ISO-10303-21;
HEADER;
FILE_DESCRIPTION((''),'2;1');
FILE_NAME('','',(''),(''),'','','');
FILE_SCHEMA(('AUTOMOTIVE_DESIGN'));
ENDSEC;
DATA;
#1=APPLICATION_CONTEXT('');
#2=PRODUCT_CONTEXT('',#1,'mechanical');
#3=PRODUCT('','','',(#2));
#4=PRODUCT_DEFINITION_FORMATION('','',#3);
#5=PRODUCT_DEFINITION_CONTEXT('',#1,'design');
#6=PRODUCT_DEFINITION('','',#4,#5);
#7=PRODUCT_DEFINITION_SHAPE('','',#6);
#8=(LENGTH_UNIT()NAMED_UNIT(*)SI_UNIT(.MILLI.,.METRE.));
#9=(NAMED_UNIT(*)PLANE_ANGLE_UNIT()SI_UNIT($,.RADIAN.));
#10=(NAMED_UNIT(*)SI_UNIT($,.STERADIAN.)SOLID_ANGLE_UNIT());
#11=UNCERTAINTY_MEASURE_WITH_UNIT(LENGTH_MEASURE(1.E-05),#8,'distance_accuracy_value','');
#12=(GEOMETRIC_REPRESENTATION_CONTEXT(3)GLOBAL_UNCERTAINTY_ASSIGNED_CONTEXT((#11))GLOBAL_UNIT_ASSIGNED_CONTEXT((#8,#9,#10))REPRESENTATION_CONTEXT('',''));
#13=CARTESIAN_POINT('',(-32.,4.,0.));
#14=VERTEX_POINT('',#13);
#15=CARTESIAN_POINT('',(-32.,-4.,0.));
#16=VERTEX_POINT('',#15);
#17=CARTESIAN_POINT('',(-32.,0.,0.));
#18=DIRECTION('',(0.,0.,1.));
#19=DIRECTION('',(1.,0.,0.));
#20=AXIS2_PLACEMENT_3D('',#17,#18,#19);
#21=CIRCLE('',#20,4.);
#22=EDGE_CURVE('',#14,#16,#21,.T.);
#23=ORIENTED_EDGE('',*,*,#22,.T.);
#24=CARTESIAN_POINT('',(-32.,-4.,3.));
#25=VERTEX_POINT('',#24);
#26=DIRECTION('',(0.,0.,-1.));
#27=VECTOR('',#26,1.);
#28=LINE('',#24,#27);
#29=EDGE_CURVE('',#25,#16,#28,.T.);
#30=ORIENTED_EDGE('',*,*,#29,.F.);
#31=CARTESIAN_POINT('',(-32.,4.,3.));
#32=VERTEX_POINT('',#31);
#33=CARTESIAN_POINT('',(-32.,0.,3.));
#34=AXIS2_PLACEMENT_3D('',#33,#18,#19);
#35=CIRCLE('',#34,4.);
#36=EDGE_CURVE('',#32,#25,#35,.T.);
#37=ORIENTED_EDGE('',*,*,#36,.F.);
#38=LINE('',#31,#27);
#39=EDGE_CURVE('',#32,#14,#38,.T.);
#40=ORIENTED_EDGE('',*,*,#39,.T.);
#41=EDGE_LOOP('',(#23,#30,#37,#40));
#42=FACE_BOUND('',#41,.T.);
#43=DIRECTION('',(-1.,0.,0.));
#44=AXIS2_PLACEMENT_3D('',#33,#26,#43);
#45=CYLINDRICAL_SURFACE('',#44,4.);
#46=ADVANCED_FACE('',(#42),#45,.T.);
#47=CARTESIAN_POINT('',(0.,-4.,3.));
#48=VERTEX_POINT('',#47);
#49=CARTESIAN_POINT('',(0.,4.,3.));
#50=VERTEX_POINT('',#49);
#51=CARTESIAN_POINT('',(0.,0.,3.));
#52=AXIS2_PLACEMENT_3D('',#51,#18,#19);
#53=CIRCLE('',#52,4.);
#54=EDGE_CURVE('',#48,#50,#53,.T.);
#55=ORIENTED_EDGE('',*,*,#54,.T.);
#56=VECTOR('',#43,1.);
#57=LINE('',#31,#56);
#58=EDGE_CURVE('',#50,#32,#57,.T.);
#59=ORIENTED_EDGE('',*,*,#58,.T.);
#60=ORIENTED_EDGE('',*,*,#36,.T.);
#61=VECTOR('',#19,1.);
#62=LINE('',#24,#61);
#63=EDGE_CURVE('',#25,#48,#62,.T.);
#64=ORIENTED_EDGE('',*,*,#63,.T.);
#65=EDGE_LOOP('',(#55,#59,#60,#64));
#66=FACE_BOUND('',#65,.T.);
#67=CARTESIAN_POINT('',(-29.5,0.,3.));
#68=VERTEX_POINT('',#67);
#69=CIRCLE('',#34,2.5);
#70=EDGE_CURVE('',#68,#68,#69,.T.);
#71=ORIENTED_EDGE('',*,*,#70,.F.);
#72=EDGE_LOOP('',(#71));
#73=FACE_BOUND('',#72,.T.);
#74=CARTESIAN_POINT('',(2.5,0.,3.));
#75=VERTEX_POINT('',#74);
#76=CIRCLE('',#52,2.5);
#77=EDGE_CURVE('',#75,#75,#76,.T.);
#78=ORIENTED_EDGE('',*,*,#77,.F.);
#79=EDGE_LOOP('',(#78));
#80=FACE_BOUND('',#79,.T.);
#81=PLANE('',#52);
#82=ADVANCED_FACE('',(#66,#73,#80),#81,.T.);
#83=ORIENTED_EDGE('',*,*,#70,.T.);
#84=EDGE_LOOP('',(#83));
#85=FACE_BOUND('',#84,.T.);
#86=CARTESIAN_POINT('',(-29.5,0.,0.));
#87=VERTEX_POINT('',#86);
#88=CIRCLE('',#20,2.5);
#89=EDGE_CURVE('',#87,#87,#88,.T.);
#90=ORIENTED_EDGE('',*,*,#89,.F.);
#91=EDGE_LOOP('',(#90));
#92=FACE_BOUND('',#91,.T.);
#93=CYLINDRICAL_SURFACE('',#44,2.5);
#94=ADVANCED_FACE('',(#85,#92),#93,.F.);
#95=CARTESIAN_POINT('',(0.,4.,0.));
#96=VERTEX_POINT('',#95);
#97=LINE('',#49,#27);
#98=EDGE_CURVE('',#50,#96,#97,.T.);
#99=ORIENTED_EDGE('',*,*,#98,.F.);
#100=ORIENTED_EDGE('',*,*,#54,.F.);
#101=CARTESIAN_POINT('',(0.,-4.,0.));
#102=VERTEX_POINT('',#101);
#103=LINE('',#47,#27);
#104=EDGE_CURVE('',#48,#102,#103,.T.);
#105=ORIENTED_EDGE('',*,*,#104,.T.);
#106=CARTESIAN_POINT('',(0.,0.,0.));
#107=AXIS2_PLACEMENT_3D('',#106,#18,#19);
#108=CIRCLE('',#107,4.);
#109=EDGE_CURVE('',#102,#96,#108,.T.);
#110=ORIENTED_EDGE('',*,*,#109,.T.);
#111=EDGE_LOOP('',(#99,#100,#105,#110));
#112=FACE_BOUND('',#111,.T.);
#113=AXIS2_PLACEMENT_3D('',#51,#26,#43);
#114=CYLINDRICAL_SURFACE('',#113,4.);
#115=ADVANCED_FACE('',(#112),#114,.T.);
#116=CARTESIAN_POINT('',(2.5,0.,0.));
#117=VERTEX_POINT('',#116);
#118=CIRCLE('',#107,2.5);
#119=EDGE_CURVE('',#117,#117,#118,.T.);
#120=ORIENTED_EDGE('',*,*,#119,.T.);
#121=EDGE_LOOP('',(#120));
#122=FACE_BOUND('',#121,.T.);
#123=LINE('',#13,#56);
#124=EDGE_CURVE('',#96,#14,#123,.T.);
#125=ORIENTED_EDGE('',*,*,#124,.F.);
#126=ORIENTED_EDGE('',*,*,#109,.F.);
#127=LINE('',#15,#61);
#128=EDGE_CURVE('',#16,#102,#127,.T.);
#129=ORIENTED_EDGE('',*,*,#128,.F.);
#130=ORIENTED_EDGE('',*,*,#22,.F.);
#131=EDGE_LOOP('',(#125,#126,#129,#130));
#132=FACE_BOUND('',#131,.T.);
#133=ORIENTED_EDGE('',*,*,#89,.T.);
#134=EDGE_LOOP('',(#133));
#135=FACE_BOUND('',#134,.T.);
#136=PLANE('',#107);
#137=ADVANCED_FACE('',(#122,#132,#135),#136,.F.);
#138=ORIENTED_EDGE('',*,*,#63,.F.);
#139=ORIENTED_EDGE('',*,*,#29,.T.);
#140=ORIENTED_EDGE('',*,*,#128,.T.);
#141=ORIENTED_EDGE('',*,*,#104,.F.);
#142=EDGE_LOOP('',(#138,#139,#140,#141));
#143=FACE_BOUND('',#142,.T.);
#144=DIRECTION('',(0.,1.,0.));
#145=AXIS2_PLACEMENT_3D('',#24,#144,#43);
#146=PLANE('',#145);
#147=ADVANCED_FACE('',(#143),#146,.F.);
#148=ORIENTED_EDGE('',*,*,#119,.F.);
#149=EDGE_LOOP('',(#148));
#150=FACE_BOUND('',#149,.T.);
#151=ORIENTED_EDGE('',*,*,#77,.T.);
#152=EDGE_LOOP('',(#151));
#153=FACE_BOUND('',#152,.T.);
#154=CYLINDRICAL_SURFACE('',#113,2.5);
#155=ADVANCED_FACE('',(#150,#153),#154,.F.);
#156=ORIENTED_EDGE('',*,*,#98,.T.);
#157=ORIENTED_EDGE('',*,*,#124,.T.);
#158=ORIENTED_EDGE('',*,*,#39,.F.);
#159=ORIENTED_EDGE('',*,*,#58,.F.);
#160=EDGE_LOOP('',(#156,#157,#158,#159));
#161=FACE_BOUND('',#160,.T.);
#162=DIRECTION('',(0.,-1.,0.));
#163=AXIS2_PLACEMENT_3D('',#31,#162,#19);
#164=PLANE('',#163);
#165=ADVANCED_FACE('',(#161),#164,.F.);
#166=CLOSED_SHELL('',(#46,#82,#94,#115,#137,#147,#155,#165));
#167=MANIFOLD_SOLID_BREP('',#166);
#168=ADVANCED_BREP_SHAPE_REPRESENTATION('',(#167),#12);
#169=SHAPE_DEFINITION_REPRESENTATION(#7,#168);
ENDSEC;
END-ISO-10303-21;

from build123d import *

# Parameters (mm, degrees)
SKETCH2_R           = 2.5
BOSS_EXTRUDE1_DEPTH = 3


with BuildPart() as part:
    # Sketch2 → Boss-Extrude1 (new body)
    with BuildSketch(Plane.XY):
        with BuildLine():
            Line((-32, 4), (0, 4))
            ThreePointArc((0, 4), (4, 0), (0, -4))
            Line((0, -4), (-32, -4))
            ThreePointArc((-32, -4), (-36, 0), (-32, 4))
        make_face()
        with Locations((-32, 0)):
            Circle(SKETCH2_R, mode=Mode.SUBTRACT)
        Circle(SKETCH2_R, mode=Mode.SUBTRACT)
    extrude(amount=BOSS_EXTRUDE1_DEPTH)


solid = part.part
